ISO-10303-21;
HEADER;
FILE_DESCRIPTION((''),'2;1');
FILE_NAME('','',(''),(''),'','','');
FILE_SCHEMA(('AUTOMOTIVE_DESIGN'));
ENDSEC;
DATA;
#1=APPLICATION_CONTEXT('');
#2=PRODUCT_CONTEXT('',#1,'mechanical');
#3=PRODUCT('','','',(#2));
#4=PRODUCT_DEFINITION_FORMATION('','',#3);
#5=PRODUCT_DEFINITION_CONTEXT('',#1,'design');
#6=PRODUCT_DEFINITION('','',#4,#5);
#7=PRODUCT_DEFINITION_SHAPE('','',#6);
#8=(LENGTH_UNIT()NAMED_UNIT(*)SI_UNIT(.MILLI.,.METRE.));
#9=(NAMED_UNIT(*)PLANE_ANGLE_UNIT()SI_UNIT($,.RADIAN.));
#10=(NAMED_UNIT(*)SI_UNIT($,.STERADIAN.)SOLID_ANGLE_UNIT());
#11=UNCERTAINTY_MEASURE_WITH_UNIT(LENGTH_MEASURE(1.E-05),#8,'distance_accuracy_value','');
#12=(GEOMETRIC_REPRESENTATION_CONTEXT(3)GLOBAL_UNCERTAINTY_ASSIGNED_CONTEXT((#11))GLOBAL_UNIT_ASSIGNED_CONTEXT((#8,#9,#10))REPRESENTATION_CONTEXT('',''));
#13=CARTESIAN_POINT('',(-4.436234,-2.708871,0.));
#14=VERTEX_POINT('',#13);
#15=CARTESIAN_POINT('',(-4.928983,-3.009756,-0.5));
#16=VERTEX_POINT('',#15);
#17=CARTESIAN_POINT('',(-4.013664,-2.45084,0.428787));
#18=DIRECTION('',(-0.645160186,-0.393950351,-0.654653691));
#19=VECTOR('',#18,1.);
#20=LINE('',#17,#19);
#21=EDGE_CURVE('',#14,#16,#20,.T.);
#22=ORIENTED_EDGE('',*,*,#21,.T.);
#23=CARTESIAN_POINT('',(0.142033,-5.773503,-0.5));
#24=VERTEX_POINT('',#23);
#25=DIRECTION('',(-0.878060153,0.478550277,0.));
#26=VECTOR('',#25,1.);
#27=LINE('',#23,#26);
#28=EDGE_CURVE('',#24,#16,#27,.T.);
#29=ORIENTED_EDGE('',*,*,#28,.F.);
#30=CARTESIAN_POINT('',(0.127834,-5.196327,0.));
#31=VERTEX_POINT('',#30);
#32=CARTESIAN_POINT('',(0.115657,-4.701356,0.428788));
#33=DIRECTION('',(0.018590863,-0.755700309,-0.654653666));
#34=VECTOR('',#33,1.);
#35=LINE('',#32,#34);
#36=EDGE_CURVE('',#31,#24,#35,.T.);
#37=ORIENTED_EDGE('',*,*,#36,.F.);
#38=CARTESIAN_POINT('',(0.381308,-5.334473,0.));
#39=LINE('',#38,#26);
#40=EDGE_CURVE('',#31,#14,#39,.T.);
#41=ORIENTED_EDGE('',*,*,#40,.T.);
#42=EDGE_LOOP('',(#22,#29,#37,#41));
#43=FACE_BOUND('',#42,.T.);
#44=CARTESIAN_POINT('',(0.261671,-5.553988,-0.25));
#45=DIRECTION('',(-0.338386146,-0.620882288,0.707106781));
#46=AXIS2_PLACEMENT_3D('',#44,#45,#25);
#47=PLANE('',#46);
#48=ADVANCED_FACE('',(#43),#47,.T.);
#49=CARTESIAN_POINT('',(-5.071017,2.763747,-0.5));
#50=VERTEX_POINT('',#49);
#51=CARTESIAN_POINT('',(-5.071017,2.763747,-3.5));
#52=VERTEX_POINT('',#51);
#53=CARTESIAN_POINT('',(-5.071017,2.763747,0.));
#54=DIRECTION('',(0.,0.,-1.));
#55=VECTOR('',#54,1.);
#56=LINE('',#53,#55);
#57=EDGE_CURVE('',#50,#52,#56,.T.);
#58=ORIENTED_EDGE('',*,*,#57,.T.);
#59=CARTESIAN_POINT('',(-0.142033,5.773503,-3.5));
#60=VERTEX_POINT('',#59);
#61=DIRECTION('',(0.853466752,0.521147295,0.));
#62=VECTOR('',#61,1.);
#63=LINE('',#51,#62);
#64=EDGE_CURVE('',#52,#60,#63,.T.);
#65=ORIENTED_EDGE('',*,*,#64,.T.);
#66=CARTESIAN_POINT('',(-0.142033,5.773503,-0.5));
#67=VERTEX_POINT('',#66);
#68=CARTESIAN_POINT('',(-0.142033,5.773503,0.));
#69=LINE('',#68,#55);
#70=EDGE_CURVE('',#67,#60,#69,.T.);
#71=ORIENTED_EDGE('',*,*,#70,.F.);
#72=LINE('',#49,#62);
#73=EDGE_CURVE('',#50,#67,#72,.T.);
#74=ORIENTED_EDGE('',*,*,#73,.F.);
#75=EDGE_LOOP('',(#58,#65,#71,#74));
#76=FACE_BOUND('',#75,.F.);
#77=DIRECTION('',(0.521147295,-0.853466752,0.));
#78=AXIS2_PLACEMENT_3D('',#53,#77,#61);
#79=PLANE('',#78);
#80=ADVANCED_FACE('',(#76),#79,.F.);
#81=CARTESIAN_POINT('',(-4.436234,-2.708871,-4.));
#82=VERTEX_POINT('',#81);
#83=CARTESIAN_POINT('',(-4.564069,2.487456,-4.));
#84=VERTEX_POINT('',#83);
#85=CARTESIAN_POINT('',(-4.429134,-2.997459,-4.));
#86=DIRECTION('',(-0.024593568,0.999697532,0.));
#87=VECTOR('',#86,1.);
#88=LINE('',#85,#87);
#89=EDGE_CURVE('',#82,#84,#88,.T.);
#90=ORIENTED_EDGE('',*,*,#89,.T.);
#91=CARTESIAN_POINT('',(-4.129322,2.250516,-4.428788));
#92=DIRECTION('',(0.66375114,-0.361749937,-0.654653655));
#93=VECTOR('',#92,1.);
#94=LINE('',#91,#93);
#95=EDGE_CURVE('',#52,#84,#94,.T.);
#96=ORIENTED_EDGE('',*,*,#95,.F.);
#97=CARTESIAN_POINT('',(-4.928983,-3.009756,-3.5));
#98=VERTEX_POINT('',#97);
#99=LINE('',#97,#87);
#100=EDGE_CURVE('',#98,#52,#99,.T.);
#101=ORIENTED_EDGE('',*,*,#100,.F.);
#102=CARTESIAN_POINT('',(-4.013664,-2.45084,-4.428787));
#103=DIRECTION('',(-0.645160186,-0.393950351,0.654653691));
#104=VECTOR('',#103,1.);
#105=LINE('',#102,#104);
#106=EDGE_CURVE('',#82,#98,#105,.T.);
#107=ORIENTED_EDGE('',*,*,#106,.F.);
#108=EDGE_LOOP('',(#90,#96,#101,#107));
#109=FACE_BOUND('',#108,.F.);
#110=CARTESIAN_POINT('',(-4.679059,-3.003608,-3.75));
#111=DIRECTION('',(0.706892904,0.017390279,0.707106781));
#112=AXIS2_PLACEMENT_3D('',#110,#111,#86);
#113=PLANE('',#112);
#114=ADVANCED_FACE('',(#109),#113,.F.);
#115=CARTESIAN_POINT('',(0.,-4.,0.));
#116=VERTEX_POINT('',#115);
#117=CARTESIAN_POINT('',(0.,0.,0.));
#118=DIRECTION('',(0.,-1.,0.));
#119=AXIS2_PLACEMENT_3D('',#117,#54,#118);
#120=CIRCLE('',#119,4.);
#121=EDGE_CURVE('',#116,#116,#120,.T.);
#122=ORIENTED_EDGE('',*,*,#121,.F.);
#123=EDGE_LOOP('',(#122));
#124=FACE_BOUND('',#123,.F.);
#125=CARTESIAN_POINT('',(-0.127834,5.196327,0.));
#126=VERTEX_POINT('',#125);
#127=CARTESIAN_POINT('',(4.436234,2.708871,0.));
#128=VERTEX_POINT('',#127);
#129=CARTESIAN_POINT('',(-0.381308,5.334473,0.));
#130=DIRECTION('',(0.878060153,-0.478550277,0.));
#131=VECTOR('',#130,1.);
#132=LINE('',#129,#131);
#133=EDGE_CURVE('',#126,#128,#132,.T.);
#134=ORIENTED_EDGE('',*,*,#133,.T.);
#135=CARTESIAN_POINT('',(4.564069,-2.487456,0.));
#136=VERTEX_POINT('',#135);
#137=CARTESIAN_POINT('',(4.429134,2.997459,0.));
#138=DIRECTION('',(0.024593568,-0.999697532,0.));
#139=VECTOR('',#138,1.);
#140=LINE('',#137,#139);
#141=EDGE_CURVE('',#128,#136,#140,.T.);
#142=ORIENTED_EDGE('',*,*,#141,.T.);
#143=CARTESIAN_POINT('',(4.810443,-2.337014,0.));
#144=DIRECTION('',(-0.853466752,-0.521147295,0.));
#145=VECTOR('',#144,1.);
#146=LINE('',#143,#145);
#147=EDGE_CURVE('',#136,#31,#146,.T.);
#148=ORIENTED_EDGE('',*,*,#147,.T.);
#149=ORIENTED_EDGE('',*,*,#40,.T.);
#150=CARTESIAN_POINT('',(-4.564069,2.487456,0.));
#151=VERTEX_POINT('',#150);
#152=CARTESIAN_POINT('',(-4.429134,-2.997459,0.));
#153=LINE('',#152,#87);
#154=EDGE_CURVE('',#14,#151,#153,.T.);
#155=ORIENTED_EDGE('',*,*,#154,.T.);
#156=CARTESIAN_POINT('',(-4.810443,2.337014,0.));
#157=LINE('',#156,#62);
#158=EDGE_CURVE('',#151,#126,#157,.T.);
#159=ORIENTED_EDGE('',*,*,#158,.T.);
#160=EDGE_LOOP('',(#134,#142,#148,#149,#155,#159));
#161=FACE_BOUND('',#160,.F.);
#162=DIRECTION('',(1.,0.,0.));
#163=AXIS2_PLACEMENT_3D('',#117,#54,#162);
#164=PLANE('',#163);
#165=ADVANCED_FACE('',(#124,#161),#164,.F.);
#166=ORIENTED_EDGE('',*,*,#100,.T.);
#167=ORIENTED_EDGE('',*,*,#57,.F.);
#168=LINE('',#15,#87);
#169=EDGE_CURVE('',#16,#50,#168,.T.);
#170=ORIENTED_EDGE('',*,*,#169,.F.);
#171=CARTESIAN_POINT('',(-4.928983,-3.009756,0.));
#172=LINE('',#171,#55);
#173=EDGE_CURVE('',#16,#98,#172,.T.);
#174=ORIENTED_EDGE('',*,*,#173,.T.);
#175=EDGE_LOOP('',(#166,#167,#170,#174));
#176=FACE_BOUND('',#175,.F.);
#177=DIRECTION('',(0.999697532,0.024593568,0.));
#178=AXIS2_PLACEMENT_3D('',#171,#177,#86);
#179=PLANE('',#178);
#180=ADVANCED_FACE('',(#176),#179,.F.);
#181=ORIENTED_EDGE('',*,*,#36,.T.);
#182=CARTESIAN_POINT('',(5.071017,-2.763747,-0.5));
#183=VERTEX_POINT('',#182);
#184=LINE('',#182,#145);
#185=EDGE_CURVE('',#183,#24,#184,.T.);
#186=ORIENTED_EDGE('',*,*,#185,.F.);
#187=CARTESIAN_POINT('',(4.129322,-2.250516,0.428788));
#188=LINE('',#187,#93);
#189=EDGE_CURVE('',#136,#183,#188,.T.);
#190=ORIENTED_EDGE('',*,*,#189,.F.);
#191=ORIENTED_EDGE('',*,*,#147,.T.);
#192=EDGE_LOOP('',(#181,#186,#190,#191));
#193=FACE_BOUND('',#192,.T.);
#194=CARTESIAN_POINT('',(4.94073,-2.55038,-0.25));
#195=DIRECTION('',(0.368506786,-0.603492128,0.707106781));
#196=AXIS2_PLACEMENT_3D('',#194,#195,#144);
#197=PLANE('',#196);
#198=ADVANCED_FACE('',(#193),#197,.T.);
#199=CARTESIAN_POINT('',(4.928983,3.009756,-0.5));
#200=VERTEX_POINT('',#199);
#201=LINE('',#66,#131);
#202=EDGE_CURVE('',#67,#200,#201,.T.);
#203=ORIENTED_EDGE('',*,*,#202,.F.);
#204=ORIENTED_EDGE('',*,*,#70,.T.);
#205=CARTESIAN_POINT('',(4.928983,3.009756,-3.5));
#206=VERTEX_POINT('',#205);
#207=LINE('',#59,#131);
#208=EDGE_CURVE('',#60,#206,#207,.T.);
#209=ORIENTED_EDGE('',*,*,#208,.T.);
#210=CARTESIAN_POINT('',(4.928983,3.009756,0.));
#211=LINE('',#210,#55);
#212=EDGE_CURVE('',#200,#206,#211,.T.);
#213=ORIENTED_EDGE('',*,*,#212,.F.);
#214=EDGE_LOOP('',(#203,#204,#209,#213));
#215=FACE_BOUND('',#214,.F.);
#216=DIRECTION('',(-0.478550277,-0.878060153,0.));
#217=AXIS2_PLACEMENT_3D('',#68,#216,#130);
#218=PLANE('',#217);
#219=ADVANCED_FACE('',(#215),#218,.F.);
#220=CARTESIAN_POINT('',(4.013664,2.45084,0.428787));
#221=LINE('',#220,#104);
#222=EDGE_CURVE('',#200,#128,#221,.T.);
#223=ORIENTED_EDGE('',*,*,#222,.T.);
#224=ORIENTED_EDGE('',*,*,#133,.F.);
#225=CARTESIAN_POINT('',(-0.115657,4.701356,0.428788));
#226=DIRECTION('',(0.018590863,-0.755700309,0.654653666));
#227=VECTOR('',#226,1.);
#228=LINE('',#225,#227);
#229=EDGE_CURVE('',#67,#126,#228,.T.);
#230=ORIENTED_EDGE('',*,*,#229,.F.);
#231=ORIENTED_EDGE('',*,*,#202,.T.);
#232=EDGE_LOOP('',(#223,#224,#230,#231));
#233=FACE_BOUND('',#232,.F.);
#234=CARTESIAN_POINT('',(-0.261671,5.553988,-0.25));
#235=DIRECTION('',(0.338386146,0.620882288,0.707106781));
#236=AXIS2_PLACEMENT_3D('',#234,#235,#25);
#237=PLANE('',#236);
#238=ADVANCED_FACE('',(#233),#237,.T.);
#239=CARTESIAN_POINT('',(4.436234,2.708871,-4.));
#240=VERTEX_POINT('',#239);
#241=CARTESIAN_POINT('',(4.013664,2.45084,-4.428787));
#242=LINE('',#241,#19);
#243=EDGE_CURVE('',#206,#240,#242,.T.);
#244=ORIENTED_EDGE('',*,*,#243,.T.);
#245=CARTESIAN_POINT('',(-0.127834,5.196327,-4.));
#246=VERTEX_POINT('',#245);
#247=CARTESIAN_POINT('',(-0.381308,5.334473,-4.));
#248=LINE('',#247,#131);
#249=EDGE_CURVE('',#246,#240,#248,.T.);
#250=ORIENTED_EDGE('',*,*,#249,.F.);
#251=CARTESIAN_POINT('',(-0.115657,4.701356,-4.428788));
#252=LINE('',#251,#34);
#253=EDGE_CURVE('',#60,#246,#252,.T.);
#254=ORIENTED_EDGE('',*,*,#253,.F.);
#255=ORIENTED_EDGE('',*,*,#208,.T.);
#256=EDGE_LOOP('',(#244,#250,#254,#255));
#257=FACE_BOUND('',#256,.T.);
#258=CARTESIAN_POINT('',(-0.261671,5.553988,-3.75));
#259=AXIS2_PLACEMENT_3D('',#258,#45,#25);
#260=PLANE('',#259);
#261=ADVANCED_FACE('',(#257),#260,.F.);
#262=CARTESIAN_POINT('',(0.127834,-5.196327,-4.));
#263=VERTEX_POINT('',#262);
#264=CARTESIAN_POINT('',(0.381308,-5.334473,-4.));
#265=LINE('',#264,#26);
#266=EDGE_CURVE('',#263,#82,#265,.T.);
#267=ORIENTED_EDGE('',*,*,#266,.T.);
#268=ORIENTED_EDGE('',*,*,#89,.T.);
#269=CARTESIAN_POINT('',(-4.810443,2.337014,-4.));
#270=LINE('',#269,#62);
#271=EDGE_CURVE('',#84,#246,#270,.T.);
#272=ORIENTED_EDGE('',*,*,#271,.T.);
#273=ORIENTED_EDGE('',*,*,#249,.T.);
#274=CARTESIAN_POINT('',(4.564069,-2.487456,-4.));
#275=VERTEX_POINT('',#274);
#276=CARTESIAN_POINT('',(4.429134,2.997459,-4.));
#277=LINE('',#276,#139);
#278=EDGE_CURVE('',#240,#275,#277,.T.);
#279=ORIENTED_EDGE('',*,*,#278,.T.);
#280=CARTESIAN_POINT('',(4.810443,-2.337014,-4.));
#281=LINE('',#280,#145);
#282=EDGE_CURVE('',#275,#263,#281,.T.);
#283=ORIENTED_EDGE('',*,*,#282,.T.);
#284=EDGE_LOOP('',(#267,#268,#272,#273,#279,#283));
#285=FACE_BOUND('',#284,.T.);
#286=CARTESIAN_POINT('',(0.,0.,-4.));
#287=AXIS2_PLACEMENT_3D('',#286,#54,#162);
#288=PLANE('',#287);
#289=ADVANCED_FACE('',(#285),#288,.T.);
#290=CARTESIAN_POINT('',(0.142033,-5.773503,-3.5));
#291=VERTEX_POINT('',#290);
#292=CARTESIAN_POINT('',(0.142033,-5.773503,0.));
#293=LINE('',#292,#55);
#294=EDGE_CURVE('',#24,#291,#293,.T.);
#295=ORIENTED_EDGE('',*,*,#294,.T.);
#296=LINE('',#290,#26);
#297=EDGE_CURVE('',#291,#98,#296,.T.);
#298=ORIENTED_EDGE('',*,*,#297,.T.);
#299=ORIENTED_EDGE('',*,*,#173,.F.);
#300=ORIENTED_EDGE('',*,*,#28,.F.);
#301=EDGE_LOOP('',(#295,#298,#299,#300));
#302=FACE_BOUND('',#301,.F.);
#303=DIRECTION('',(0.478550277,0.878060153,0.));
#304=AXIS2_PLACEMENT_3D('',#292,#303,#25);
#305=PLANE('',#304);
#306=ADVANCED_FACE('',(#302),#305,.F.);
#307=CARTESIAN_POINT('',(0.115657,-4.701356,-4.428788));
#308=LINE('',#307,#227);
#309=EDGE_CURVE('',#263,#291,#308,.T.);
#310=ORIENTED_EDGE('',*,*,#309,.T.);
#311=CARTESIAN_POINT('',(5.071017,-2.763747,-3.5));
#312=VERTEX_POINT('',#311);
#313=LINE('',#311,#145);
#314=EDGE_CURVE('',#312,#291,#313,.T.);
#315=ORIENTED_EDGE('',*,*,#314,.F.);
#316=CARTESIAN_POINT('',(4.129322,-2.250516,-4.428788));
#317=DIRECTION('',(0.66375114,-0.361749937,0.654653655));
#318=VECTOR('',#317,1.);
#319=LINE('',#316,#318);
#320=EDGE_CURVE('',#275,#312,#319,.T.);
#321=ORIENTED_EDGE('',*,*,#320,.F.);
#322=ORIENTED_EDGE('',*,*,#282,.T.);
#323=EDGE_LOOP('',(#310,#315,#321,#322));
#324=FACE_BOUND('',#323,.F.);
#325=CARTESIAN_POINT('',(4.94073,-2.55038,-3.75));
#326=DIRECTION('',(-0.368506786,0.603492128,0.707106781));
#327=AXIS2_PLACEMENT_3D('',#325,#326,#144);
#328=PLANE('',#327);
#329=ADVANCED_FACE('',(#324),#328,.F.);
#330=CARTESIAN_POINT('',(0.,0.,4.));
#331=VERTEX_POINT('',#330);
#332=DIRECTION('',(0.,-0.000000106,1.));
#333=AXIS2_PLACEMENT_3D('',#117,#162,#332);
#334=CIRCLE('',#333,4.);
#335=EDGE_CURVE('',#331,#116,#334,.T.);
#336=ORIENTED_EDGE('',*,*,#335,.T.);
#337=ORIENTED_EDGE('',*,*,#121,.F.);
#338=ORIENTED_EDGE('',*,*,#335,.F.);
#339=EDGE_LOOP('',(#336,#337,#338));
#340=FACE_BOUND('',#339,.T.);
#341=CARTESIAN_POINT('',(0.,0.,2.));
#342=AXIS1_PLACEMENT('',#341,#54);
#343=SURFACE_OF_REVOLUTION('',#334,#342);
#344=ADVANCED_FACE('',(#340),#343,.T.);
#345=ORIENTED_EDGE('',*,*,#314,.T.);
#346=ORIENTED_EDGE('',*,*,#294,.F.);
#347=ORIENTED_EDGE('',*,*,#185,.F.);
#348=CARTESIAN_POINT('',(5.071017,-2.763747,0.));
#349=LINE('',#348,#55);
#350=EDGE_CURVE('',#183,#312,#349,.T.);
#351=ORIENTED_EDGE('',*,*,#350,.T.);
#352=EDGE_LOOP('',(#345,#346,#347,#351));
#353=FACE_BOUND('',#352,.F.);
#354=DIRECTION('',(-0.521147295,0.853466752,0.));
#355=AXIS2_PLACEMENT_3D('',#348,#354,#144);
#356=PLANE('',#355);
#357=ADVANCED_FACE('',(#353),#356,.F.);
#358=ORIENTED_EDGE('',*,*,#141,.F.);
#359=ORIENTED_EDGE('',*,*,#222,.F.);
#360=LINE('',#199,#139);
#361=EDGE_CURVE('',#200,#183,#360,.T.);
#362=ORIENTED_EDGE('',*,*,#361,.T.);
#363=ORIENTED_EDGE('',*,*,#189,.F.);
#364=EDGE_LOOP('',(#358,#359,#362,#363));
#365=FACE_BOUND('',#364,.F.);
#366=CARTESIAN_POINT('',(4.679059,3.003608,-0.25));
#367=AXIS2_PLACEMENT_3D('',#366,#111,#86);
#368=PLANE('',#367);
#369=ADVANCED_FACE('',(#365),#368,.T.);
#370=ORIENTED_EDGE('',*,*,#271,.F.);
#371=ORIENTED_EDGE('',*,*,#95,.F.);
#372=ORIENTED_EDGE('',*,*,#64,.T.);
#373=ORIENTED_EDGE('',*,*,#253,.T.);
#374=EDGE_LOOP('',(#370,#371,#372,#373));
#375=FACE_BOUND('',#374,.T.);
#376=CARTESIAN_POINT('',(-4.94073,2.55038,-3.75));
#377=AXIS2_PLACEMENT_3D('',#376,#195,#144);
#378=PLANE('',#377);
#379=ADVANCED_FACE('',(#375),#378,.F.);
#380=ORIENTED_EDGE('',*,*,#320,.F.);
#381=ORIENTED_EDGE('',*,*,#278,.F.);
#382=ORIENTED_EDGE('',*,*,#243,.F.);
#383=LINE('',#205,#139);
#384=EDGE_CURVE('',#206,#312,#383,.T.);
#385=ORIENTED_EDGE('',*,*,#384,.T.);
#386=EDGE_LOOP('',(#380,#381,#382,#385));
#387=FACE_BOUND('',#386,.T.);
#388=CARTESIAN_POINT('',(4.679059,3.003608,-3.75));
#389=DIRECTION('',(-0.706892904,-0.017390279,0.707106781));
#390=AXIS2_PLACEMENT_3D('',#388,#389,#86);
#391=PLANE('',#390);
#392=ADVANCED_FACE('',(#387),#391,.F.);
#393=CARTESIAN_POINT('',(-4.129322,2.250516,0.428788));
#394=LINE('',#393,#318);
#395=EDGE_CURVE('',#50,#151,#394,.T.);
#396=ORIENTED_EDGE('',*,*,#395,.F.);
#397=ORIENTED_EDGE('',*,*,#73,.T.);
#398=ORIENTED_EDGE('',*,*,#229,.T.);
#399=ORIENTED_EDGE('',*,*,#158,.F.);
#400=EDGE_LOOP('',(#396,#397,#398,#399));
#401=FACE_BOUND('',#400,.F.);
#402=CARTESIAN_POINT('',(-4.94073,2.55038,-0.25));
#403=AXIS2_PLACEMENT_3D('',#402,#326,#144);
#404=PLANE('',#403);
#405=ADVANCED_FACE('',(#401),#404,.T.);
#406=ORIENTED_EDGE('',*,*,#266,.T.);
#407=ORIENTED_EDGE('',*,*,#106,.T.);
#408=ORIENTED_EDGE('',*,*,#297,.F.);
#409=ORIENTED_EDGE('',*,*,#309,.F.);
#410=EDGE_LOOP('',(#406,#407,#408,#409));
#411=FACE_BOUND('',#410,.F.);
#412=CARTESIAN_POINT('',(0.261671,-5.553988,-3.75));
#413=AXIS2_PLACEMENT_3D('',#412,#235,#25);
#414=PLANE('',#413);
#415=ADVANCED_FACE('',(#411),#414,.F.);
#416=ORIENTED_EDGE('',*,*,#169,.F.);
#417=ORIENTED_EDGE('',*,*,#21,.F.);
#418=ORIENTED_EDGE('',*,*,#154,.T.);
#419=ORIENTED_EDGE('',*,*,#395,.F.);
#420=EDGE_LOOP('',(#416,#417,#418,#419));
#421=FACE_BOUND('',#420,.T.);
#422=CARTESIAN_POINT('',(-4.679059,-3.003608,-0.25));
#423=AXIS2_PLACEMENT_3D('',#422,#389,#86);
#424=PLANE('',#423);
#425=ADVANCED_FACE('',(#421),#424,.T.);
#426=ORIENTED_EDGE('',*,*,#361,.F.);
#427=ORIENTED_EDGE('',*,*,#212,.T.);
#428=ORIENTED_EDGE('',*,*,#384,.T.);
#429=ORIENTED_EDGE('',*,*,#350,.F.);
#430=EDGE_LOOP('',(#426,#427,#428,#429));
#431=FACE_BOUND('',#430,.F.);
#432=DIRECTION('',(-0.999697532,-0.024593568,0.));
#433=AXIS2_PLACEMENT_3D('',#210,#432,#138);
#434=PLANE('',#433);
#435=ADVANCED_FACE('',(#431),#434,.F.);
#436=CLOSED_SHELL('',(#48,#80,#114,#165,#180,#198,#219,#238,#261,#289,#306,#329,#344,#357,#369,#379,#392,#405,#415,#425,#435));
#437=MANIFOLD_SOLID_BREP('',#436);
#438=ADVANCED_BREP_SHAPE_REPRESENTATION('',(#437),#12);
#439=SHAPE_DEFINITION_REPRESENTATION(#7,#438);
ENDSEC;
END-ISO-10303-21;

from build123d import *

# Parameters (mm, degrees)
F3_DEPTH = 4
F4_SIZE  = 0.5


with BuildPart() as f1:
    # F0 (on Right) → F1 (revolve)
    with BuildSketch(Plane.YZ):
        with BuildLine():
            Line((0, 0), (0, 4))
            ThreePointArc((0, 4), (-2.828427, 2.828427), (-4, 0))
            Line((-4, 0), (0, 0))
        make_face()
    revolve(axis=Axis((0, 0, 2), (0, 0, -1)))

    # F2 (on face) → F3 (join)
    with BuildSketch(Plane(origin=(0, 0, 0), x_dir=(1, 0, 0), z_dir=(0, 0, -1))):
        Polygon((-0.142033, -5.773503), (4.928983, -3.009756), (5.071017, 2.763747), (0.142033, 5.773503), (-4.928983, 3.009756), (-5.071017, -2.763747), align=None)
    extrude(amount=F3_DEPTH)

    # F4
    f4_edges = [f1.edges().sort_by_distance(p)[0] for p in [
        (2.606525, -4.268625, 0),
        (5, 0.123005, 0),
        (2.393475, 4.391629, 0),
        (2.606525, -4.268625, -4),
        (-2.393475, -4.391629, -4),
        (-2.393475, -4.391629, 0),
        (-2.606525, 4.268625, 0),
        (-5, -0.123005, 0),
        (2.393475, 4.391629, -4),
        (-2.606525, 4.268625, -4),
        (5, 0.123005, -4),
        (-5, -0.123005, -4),
    ]]
    chamfer(f4_edges, length=F4_SIZE)


solid = f1.part
